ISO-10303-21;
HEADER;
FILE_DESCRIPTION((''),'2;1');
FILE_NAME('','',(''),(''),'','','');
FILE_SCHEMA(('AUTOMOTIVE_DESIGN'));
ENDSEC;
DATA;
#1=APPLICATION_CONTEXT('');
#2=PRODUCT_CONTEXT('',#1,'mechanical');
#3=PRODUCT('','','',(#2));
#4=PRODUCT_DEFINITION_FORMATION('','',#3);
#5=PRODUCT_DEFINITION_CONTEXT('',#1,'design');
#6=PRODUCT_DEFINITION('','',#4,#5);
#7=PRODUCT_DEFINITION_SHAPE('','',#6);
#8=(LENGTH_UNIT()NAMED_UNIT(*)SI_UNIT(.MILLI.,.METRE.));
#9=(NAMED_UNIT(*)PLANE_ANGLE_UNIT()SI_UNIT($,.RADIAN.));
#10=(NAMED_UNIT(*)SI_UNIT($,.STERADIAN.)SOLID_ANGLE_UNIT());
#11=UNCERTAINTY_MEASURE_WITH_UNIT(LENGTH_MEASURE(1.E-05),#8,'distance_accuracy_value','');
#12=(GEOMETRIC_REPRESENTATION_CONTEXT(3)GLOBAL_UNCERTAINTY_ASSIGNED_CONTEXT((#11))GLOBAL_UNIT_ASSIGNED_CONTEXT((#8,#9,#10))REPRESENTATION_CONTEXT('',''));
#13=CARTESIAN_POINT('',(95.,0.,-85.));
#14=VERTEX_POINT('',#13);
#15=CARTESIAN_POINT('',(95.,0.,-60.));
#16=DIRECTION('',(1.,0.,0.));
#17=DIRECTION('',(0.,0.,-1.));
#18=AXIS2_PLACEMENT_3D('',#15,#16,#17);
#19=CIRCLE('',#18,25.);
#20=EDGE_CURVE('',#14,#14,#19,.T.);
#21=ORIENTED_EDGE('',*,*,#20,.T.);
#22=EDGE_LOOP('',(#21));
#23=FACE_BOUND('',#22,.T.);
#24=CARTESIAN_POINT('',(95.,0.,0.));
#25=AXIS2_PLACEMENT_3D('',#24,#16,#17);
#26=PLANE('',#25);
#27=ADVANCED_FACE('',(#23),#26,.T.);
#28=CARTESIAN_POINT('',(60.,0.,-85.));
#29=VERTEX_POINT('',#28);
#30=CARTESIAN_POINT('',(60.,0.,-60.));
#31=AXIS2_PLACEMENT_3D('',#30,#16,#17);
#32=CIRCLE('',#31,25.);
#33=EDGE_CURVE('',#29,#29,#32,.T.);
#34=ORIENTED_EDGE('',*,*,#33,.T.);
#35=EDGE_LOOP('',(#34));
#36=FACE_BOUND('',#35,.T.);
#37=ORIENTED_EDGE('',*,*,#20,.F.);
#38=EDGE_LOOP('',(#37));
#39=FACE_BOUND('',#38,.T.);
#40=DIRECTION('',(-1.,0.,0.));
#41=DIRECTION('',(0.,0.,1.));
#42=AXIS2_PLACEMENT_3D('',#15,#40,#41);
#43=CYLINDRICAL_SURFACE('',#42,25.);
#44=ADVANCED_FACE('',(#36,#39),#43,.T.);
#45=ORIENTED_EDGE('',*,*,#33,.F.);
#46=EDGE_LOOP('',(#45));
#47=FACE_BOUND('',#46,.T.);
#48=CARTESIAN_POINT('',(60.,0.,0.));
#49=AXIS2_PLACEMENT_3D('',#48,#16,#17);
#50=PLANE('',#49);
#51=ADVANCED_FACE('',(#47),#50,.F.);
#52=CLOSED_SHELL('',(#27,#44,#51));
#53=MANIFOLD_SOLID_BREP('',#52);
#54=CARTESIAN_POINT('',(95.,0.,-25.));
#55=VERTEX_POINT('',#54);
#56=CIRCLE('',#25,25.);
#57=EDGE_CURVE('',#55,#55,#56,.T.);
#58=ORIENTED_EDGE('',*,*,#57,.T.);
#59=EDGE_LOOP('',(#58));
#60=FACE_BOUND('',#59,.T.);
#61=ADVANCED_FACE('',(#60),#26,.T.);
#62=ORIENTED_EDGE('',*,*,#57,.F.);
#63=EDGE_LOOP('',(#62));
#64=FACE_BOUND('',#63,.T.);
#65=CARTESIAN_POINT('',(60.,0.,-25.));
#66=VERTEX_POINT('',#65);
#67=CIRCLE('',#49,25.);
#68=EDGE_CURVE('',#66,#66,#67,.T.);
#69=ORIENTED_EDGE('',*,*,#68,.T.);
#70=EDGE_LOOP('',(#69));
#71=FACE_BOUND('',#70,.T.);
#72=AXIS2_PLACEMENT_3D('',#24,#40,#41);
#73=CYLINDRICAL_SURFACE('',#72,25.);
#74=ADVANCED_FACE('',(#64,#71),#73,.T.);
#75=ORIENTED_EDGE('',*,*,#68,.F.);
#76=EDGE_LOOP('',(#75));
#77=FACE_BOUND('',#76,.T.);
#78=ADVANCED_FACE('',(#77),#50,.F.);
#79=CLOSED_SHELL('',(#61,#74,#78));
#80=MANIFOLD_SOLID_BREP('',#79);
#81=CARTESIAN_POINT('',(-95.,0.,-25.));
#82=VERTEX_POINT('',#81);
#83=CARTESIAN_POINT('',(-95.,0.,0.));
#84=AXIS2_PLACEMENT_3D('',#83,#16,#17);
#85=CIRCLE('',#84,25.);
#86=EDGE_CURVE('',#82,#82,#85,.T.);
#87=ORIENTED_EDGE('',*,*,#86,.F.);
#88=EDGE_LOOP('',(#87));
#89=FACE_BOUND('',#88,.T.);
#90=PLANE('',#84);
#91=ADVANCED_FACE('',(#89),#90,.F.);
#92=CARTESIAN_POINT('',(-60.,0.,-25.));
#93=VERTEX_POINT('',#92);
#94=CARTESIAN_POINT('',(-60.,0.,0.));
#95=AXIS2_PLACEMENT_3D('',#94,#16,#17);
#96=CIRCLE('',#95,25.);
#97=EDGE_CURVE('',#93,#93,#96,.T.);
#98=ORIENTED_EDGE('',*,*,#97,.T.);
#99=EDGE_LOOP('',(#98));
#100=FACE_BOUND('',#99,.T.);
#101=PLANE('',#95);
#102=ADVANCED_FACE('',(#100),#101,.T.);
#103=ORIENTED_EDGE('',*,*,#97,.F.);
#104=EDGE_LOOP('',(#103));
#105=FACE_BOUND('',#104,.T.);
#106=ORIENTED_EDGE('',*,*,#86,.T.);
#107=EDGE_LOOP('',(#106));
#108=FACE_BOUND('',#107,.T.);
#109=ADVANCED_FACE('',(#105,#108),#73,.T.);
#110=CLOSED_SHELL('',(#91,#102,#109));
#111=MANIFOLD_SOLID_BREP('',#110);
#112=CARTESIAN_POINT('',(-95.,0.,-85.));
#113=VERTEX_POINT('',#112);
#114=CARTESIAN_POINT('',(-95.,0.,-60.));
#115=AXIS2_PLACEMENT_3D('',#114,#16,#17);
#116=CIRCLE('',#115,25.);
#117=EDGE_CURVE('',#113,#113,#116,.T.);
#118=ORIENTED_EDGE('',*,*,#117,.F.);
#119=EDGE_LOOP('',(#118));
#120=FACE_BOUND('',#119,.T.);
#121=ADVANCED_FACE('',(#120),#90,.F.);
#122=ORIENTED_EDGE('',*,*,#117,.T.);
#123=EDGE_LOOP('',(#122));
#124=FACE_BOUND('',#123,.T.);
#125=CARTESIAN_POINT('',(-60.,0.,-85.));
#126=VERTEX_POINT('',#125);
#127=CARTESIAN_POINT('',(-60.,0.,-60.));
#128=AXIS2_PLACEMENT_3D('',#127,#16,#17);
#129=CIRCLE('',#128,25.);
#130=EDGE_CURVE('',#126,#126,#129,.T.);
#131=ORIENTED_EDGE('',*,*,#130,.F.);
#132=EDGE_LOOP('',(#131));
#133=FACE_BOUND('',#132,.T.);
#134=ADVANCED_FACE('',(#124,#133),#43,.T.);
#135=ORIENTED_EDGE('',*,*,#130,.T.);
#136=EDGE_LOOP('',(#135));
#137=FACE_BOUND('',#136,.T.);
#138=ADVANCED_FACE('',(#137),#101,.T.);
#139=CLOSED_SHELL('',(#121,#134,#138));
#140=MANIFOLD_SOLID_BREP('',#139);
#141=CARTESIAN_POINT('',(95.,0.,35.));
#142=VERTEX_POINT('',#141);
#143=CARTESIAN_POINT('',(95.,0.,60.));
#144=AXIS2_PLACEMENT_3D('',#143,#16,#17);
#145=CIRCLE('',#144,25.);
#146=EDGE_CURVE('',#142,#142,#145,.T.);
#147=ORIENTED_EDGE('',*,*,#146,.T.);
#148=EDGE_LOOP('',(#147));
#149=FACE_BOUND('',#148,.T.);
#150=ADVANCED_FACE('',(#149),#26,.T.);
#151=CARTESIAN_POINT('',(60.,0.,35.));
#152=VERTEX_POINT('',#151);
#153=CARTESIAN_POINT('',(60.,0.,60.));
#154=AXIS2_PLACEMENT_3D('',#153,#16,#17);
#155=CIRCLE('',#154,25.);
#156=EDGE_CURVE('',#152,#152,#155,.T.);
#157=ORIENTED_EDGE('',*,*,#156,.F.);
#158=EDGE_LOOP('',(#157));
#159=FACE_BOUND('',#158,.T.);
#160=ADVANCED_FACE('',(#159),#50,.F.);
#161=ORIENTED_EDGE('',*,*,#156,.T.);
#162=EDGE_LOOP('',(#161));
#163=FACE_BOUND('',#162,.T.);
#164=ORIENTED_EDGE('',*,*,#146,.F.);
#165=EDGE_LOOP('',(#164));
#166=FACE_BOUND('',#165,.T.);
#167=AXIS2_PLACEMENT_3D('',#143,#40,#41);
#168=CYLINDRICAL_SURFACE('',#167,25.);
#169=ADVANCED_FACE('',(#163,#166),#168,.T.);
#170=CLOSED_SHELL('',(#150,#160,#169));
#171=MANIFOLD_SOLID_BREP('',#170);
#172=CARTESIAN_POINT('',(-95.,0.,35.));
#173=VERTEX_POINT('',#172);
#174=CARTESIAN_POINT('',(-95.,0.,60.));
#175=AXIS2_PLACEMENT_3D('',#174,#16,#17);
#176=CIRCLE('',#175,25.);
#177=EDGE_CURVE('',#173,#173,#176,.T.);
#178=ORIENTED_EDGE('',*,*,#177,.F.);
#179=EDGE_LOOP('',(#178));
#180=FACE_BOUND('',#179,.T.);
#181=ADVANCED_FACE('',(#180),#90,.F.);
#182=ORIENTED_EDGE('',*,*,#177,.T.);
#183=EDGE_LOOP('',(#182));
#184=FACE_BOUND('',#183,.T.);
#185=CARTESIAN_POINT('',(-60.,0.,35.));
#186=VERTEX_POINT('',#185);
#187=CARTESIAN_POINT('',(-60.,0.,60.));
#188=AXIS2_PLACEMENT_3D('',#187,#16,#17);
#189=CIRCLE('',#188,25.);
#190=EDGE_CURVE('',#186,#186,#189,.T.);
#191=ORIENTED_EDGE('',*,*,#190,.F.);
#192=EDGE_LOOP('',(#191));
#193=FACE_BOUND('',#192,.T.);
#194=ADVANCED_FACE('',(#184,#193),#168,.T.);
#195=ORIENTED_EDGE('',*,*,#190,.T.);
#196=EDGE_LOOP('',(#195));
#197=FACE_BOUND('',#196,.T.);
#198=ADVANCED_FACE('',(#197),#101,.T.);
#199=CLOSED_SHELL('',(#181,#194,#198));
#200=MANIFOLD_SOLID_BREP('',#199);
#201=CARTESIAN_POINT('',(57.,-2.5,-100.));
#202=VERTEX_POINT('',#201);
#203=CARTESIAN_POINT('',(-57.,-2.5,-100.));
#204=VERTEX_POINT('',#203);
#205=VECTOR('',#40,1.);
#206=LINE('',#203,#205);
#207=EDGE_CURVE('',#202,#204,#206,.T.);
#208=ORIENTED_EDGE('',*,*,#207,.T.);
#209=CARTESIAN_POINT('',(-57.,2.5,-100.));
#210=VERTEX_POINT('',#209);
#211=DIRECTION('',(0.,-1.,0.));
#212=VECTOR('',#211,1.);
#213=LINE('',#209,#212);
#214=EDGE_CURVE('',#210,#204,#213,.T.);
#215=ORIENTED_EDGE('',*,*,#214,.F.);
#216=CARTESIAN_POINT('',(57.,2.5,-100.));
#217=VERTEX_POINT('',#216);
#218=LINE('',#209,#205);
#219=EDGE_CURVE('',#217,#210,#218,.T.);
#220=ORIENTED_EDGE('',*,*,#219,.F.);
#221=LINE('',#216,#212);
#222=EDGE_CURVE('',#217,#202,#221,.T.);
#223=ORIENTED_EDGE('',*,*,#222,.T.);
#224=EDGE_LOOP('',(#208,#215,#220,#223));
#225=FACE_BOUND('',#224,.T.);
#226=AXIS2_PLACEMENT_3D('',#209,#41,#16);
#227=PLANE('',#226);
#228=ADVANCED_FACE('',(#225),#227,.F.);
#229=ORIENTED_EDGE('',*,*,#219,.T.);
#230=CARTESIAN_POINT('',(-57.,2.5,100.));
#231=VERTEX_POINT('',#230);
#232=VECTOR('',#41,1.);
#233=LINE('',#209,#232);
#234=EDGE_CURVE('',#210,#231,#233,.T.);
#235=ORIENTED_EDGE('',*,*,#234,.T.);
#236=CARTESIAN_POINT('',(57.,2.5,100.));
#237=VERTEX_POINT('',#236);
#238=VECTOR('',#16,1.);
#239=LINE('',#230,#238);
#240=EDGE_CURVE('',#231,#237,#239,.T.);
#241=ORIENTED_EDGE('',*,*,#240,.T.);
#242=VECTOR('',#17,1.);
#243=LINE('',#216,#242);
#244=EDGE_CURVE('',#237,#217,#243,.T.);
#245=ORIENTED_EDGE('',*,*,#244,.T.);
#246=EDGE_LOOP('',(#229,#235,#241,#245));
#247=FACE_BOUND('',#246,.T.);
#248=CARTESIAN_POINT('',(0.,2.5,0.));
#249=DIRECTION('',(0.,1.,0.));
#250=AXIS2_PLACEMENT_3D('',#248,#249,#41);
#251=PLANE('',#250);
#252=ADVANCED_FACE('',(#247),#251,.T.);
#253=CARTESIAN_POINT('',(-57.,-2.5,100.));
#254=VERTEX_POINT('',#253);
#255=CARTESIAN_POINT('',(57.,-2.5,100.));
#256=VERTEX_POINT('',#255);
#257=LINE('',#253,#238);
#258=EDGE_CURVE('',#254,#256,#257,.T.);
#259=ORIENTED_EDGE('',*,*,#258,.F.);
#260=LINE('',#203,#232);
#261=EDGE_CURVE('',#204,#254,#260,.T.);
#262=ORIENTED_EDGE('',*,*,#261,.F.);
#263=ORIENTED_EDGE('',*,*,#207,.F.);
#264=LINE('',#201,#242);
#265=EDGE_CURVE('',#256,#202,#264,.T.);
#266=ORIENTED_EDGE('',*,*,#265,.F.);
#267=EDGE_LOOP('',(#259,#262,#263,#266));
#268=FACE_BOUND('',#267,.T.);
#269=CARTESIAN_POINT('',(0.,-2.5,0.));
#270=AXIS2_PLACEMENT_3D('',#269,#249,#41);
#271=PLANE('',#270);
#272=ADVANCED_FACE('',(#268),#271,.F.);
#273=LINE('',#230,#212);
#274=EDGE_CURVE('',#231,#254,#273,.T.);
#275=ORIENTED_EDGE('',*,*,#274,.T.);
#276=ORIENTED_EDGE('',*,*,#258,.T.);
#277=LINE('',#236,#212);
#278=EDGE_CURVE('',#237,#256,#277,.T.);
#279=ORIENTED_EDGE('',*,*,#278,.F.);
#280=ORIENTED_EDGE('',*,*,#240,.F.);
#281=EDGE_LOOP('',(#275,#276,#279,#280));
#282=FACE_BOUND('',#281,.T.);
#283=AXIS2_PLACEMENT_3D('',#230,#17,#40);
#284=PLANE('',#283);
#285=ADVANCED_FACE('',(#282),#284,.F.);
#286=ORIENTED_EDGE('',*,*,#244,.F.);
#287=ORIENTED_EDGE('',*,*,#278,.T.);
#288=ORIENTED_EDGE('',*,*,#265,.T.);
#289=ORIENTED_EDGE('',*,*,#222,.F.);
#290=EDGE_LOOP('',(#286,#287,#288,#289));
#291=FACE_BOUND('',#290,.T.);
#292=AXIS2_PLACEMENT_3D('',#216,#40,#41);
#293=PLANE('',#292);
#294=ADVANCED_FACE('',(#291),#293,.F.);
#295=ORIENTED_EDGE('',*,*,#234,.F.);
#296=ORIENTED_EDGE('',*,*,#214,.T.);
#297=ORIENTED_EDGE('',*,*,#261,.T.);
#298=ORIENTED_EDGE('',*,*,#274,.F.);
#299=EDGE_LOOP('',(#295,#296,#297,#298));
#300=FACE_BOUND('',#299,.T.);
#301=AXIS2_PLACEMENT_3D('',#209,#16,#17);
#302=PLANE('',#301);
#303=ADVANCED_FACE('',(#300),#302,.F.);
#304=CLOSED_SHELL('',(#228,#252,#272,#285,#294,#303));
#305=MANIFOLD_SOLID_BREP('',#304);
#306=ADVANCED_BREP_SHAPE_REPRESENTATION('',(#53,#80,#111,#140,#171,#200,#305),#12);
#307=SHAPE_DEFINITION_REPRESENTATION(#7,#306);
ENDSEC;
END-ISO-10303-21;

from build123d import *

# Parameters (mm, degrees)
SKETCH3_R             = 25
BOSS_EXTRUDE1_DEPTH   = 95
BOSS_EXTRUDE1_2_DEPTH = 95
BOSS_EXTRUDE1_3_DEPTH = 95
SKETCH3_3_R           = 25
CUT_EXTRUDE1_DEPTH    = 60
SKETCH4_W             = 114
SKETCH4_H             = 200
BOSS_EXTRUDE2_DEPTH   = 2.5


with BuildPart() as part:
    # Sketch3 → Boss-Extrude1 (new, symmetric)
    with BuildSketch(Plane(origin=(0, 0, 0), x_dir=(0, 0, -1), z_dir=(1, 0, 0))):
        with Locations((-60, 0)):
            Circle(SKETCH3_R)
    extrude(amount=BOSS_EXTRUDE1_DEPTH, both=True)


with BuildPart() as body_2:
    # Sketch3 → Boss-Extrude1 2 (new, symmetric)
    with BuildSketch(Plane(origin=(0, 0, 0), x_dir=(0, 0, -1), z_dir=(1, 0, 0))):
        with Locations((60, 0)):
            Circle(SKETCH3_R)
    extrude(amount=BOSS_EXTRUDE1_2_DEPTH, both=True)


with BuildPart() as body_3:
    # Sketch3 → Boss-Extrude1 3 (new, symmetric)
    with BuildSketch(Plane(origin=(0, 0, 0), x_dir=(0, 0, -1), z_dir=(1, 0, 0))):
        Circle(SKETCH3_R)
    extrude(amount=BOSS_EXTRUDE1_3_DEPTH, both=True)


with BuildPart() as cut_extrude1_tool:
    # Sketch3<3> → Cut-Extrude1 (new, symmetric)
    with BuildSketch(Plane(origin=(0, 0, 0), x_dir=(0, 0, -1), z_dir=(1, 0, 0))):
        with Locations((-60, 0)):
            Circle(SKETCH3_3_R)
        with Locations((60, 0)):
            Circle(SKETCH3_3_R)
        Circle(SKETCH3_3_R)
    extrude(amount=CUT_EXTRUDE1_DEPTH, both=True)


with BuildPart() as part_1:
    add(part.part)

    # Cut-Extrude1: cut by cut_extrude1_tool
    add(cut_extrude1_tool.part, mode=Mode.SUBTRACT)


with BuildPart() as body_2_1:
    add(body_2.part)

    # Cut-Extrude1: cut by cut_extrude1_tool
    add(cut_extrude1_tool.part, mode=Mode.SUBTRACT)


with BuildPart() as body_3_1:
    add(body_3.part)

    # Cut-Extrude1: cut by cut_extrude1_tool
    add(cut_extrude1_tool.part, mode=Mode.SUBTRACT)


with BuildPart() as cut_extrude1_piece_1:
    # of the separate pieces the step leaves, piece 1, a body of its own (cut_extrude1_pieces)
    add(part_1.part.solids().sort_by_distance((-95, 0, 35))[0])


with BuildPart() as cut_extrude1_piece_2:
    # of the separate pieces the step leaves, piece 2, a body of its own (cut_extrude1_pieces)
    add(part_1.part.solids().sort_by_distance((60, 0, 35))[0])


with BuildPart() as cut_extrude1_piece_1_of_body_2:
    # of the separate pieces the step leaves, piece 1, a body of its own (cut_extrude1_pieces_of_body_2)
    add(body_2_1.part.solids().sort_by_distance((-95, 0, -85))[0])


with BuildPart() as cut_extrude1_piece_2_of_body_2:
    # of the separate pieces the step leaves, piece 2, a body of its own (cut_extrude1_pieces_of_body_2)
    add(body_2_1.part.solids().sort_by_distance((60, 0, -85))[0])


with BuildPart() as cut_extrude1_piece_1_of_body_3:
    # of the separate pieces the step leaves, piece 1, a body of its own (cut_extrude1_pieces_of_body_3)
    add(body_3_1.part.solids().sort_by_distance((-95, 0, -25))[0])


with BuildPart() as cut_extrude1_piece_2_of_body_3:
    # of the separate pieces the step leaves, piece 2, a body of its own (cut_extrude1_pieces_of_body_3)
    add(body_3_1.part.solids().sort_by_distance((60, 0, -25))[0])


with BuildPart() as body_7:
    # Sketch4 → Boss-Extrude2 (new, symmetric)
    with BuildSketch(Plane(origin=(0, 0, 0), x_dir=(1, 0, 0), z_dir=(0, 1, 0))):
        Rectangle(SKETCH4_W, SKETCH4_H)
    extrude(amount=BOSS_EXTRUDE2_DEPTH, both=True)


solid = Compound([cut_extrude1_piece_1.part, cut_extrude1_piece_2.part, cut_extrude1_piece_1_of_body_2.part, cut_extrude1_piece_2_of_body_2.part, cut_extrude1_piece_1_of_body_3.part, cut_extrude1_piece_2_of_body_3.part, body_7.part])
